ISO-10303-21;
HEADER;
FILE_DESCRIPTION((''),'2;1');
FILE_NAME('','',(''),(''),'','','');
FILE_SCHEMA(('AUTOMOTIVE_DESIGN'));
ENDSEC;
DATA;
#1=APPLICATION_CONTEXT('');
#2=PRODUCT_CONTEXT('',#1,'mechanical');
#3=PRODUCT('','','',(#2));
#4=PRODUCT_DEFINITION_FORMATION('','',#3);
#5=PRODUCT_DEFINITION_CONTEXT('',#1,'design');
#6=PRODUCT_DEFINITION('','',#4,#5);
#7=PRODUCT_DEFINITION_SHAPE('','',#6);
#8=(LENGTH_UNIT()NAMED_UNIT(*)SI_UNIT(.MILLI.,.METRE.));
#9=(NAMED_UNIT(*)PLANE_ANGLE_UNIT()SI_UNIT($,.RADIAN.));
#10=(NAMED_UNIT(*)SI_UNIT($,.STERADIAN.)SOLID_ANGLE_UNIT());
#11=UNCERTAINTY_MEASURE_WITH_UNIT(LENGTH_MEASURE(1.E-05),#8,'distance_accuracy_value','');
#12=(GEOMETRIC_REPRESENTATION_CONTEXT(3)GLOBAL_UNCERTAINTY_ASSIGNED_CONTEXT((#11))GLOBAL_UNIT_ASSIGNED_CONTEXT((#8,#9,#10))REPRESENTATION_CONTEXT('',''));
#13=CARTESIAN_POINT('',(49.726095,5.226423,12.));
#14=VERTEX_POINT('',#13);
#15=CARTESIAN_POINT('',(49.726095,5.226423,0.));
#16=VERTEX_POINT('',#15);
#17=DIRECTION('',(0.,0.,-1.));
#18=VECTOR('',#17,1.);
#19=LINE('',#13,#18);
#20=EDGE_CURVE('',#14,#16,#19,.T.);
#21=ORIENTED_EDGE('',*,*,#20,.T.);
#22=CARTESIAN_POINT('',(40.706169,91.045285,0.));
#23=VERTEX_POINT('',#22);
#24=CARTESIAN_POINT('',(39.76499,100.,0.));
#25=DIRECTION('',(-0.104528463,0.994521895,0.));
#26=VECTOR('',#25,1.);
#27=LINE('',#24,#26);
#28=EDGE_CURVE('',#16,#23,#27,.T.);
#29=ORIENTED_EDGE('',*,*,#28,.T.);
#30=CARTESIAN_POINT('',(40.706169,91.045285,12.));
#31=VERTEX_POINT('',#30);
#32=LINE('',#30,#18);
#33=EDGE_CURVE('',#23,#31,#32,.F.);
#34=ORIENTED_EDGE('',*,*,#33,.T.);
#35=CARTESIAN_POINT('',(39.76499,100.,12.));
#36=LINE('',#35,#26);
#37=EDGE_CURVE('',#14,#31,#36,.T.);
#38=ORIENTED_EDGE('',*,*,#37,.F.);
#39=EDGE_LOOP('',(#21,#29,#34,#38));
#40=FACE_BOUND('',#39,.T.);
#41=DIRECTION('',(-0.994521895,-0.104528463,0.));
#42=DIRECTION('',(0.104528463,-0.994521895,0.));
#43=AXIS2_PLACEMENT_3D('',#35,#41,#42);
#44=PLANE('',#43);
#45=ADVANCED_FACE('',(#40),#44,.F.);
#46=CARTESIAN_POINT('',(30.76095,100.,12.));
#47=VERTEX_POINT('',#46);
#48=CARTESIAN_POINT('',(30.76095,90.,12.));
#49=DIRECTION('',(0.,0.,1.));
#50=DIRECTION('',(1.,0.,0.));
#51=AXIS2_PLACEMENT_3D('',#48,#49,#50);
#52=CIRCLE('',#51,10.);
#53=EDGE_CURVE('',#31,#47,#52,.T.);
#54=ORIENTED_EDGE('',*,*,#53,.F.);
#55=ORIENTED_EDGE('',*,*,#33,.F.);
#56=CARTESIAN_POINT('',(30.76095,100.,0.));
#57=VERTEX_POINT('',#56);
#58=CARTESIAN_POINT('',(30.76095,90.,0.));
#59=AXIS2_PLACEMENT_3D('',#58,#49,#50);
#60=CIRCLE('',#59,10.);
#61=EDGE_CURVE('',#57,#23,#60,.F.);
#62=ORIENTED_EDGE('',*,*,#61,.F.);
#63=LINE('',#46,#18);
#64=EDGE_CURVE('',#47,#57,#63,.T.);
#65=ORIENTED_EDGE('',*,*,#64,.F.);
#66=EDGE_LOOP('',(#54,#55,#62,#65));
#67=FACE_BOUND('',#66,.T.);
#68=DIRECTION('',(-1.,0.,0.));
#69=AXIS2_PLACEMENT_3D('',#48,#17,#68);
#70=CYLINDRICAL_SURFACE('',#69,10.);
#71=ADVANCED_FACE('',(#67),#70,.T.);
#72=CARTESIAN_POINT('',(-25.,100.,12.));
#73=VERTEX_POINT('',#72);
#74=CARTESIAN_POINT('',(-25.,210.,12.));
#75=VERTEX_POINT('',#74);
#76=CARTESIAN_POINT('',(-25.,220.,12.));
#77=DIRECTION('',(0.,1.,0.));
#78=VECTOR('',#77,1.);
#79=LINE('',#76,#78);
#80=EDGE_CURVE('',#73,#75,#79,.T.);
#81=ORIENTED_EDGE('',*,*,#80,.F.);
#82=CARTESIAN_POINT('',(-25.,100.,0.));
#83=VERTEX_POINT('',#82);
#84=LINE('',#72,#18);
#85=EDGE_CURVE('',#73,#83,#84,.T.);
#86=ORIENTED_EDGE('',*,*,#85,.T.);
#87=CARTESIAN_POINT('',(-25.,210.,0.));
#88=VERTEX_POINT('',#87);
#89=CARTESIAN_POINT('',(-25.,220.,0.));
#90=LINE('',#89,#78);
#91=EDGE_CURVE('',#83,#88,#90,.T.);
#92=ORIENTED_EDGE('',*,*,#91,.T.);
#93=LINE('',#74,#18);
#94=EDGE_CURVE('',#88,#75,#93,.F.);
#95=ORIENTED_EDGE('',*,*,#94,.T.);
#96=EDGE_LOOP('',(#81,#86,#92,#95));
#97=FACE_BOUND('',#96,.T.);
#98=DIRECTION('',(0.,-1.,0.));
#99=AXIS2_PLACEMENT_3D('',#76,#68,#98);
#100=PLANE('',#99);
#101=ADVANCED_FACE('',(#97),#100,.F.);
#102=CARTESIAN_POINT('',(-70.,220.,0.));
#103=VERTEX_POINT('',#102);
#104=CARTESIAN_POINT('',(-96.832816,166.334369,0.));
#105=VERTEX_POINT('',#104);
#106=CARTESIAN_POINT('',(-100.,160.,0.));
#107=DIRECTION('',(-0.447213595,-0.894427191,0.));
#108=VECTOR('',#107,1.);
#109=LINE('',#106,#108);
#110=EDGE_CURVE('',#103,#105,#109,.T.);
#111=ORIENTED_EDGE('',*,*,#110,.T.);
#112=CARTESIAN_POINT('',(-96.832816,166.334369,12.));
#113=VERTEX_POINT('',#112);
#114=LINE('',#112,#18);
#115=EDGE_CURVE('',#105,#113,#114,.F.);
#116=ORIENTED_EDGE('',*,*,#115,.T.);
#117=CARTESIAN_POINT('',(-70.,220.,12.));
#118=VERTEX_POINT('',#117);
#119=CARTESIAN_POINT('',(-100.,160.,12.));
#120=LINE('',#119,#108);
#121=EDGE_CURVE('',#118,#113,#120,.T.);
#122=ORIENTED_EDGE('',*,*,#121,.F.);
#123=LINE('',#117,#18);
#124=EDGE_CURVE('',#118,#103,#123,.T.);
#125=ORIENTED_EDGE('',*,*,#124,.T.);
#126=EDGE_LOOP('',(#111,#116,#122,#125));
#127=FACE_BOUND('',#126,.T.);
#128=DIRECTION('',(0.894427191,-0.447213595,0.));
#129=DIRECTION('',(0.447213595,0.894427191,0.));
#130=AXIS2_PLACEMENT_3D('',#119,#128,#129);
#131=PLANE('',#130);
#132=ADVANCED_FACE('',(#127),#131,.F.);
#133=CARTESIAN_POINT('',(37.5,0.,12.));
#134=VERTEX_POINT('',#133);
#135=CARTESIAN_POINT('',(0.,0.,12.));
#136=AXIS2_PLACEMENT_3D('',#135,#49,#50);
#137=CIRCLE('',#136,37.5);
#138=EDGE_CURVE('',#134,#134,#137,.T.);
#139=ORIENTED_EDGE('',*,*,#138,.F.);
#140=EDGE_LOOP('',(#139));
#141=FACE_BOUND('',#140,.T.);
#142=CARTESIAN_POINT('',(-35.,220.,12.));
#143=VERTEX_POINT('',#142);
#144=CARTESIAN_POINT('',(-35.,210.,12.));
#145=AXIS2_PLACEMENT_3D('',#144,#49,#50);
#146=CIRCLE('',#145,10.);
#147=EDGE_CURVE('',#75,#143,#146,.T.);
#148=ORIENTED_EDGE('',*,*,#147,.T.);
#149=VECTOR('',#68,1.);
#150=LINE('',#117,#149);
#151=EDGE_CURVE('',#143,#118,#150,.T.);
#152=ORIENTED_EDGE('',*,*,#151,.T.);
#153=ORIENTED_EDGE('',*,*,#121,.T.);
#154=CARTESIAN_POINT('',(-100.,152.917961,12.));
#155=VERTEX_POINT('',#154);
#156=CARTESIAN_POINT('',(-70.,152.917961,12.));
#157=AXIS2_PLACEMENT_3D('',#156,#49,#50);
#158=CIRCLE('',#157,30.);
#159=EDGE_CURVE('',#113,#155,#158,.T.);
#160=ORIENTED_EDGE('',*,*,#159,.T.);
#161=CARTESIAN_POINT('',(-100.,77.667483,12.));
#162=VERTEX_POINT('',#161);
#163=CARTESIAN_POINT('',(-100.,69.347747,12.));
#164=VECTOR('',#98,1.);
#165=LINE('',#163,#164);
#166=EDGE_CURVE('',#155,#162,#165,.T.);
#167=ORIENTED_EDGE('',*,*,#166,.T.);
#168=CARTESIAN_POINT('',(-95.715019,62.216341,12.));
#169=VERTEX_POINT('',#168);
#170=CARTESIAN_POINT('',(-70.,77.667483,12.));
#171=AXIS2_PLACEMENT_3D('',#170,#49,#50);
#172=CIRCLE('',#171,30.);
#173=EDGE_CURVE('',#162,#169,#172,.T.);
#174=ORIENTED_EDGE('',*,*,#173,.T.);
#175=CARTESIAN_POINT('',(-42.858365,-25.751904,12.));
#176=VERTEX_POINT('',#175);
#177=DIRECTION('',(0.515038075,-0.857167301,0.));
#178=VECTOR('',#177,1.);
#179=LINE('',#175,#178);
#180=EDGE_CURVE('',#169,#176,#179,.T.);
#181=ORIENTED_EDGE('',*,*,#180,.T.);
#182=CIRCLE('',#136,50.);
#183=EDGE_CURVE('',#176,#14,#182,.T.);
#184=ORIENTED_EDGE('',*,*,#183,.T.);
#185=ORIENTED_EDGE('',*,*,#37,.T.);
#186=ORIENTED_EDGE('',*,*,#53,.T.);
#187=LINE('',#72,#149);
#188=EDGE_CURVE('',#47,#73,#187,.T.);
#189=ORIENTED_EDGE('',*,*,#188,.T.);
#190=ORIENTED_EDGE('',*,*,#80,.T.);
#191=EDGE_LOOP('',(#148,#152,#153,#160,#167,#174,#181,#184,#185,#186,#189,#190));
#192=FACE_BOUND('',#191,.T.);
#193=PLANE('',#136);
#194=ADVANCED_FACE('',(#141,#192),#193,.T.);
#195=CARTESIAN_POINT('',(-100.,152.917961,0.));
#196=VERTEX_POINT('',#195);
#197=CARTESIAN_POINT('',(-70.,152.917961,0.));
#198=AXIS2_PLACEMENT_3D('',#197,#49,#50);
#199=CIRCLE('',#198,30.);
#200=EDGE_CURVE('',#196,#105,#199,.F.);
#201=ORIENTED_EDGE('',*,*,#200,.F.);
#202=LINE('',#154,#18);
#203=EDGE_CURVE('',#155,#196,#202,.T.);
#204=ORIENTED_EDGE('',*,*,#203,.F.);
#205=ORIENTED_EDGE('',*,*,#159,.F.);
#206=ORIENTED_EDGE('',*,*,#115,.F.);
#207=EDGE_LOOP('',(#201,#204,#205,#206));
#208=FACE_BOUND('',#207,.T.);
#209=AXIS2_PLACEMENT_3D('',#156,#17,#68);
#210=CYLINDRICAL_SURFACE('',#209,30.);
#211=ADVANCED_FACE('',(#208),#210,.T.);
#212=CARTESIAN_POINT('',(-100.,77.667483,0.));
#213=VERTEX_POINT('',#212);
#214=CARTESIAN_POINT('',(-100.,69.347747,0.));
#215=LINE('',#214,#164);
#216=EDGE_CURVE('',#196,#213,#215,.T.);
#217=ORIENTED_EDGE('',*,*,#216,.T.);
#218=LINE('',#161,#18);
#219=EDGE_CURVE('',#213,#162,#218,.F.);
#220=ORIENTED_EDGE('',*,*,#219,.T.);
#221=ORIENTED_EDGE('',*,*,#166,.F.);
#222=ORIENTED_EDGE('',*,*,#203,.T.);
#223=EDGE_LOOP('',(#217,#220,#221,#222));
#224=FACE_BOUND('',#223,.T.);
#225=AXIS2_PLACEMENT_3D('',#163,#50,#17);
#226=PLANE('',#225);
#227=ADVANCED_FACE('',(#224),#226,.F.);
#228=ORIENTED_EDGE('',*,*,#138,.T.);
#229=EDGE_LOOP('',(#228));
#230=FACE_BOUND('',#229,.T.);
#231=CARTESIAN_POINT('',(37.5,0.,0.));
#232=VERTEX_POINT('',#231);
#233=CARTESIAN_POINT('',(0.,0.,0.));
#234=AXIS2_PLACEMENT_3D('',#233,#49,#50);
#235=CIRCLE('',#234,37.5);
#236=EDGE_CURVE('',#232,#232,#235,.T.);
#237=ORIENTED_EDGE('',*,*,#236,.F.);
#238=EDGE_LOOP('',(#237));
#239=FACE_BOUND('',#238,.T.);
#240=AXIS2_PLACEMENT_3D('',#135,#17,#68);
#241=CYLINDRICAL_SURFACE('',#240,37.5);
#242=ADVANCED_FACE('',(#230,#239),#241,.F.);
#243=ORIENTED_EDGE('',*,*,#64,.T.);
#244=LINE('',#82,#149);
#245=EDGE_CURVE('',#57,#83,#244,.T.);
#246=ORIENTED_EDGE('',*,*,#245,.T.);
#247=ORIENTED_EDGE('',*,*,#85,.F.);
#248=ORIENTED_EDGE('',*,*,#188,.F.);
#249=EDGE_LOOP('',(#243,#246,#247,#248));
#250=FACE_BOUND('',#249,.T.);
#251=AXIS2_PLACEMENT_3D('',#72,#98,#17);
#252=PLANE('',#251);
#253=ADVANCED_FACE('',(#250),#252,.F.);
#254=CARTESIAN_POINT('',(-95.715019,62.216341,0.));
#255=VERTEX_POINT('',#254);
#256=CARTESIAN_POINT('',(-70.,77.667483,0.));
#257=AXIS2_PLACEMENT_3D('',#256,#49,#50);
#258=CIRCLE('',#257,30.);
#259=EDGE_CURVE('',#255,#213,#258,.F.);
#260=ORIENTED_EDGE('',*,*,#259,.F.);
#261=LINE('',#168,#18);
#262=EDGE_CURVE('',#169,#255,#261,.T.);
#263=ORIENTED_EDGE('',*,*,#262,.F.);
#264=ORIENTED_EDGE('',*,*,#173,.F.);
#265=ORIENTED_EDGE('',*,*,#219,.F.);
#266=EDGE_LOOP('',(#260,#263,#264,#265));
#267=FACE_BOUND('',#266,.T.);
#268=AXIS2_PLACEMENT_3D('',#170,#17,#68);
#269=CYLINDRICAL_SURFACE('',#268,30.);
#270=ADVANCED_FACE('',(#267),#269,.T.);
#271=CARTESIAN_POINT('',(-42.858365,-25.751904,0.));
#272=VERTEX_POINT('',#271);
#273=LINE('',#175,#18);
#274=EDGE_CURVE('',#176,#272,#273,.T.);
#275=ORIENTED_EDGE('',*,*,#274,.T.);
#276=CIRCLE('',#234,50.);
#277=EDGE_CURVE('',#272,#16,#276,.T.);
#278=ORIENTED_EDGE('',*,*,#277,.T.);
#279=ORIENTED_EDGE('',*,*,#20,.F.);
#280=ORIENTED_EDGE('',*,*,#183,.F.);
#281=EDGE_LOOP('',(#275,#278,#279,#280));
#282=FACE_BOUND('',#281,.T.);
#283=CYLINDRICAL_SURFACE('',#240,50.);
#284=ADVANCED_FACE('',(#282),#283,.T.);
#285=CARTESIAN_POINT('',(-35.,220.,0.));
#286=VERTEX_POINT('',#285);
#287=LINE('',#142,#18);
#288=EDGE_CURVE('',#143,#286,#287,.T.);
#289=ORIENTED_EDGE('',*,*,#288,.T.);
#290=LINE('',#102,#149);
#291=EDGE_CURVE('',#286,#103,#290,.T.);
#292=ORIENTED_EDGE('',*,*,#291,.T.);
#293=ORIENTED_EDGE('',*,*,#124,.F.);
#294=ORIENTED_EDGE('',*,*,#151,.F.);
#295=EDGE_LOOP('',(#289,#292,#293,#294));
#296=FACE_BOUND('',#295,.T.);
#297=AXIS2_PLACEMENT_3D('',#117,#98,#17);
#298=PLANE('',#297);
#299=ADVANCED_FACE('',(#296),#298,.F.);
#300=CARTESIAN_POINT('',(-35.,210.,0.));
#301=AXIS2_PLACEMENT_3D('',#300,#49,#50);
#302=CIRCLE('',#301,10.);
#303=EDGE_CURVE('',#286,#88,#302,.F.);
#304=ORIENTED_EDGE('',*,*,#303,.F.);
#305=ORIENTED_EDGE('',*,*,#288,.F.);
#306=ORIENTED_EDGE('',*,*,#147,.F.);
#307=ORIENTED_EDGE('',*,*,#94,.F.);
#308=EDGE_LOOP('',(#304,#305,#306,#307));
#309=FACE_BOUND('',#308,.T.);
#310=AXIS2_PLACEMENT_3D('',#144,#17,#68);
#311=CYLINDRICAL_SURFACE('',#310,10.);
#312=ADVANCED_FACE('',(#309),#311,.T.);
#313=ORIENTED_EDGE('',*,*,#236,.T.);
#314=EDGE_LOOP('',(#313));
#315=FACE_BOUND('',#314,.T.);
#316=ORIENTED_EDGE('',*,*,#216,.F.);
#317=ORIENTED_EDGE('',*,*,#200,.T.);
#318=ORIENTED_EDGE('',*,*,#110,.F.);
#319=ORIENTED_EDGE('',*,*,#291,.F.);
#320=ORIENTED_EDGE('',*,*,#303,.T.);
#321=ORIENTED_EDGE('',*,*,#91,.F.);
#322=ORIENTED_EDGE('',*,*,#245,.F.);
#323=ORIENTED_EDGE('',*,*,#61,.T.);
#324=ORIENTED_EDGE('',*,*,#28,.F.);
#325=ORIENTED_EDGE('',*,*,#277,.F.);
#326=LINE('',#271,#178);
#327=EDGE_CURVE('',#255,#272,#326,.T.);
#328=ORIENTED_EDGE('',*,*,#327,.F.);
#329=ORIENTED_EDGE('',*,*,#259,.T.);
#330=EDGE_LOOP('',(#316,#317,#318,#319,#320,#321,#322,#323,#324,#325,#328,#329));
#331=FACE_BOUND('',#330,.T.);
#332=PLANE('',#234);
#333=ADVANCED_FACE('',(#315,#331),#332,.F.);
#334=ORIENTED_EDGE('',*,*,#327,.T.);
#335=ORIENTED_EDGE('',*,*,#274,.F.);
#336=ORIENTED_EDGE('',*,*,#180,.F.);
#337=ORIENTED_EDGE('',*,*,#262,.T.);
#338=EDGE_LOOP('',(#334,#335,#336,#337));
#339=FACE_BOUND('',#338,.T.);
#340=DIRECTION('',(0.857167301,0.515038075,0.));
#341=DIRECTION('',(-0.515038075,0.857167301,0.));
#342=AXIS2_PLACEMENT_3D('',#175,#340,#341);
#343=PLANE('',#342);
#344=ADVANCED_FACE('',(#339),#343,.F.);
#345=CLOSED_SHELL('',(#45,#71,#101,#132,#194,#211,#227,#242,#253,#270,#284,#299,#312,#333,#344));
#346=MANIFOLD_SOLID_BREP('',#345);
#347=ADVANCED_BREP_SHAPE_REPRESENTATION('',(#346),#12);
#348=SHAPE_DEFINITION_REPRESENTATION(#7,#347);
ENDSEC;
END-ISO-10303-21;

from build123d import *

# Parameters (mm, degrees)
SKETCH_1_R      = 37.5
EXTRUDE_1_DEPTH = 12
FILLET_1_R      = 10
FILLET_2_R      = 30


with BuildPart() as part:
    # 草图1 → 凸台-拉伸1 (new body)
    with BuildSketch(Plane.XY):
        with BuildLine():
            Line((-42.858365035, -25.751903746), (-100, 69.347746915))
            Line((-100, 69.347746915), (-100, 160))
            Line((-100, 160), (-70, 220))
            Line((-70, 220), (-25, 220))
            Line((-25, 220), (-25, 100))
            Line((-25, 100), (39.764990452, 100))
            Line((39.764990452, 100), (49.726094768, 5.226423163))
            ThreePointArc((49.726094768, 5.226423163), (15.86523282, -47.41618276), (-42.858365035, -25.751903746))
        make_face()
        Circle(SKETCH_1_R, mode=Mode.SUBTRACT)
    extrude(amount=EXTRUDE_1_DEPTH)

    # 圆角1
    fillet_1_edges = [part.edges().sort_by_distance(p)[0] for p in [
        (-25, 220, 6),
        (39.764990452, 100, 6),
    ]]
    fillet(fillet_1_edges, radius=FILLET_1_R)

    # 圆角2
    fillet_2_edges = [part.edges().sort_by_distance(p)[0] for p in [
        (-100, 69.347746915, 6),
        (-100, 160, 6),
    ]]
    fillet(fillet_2_edges, radius=FILLET_2_R)


solid = part.part
